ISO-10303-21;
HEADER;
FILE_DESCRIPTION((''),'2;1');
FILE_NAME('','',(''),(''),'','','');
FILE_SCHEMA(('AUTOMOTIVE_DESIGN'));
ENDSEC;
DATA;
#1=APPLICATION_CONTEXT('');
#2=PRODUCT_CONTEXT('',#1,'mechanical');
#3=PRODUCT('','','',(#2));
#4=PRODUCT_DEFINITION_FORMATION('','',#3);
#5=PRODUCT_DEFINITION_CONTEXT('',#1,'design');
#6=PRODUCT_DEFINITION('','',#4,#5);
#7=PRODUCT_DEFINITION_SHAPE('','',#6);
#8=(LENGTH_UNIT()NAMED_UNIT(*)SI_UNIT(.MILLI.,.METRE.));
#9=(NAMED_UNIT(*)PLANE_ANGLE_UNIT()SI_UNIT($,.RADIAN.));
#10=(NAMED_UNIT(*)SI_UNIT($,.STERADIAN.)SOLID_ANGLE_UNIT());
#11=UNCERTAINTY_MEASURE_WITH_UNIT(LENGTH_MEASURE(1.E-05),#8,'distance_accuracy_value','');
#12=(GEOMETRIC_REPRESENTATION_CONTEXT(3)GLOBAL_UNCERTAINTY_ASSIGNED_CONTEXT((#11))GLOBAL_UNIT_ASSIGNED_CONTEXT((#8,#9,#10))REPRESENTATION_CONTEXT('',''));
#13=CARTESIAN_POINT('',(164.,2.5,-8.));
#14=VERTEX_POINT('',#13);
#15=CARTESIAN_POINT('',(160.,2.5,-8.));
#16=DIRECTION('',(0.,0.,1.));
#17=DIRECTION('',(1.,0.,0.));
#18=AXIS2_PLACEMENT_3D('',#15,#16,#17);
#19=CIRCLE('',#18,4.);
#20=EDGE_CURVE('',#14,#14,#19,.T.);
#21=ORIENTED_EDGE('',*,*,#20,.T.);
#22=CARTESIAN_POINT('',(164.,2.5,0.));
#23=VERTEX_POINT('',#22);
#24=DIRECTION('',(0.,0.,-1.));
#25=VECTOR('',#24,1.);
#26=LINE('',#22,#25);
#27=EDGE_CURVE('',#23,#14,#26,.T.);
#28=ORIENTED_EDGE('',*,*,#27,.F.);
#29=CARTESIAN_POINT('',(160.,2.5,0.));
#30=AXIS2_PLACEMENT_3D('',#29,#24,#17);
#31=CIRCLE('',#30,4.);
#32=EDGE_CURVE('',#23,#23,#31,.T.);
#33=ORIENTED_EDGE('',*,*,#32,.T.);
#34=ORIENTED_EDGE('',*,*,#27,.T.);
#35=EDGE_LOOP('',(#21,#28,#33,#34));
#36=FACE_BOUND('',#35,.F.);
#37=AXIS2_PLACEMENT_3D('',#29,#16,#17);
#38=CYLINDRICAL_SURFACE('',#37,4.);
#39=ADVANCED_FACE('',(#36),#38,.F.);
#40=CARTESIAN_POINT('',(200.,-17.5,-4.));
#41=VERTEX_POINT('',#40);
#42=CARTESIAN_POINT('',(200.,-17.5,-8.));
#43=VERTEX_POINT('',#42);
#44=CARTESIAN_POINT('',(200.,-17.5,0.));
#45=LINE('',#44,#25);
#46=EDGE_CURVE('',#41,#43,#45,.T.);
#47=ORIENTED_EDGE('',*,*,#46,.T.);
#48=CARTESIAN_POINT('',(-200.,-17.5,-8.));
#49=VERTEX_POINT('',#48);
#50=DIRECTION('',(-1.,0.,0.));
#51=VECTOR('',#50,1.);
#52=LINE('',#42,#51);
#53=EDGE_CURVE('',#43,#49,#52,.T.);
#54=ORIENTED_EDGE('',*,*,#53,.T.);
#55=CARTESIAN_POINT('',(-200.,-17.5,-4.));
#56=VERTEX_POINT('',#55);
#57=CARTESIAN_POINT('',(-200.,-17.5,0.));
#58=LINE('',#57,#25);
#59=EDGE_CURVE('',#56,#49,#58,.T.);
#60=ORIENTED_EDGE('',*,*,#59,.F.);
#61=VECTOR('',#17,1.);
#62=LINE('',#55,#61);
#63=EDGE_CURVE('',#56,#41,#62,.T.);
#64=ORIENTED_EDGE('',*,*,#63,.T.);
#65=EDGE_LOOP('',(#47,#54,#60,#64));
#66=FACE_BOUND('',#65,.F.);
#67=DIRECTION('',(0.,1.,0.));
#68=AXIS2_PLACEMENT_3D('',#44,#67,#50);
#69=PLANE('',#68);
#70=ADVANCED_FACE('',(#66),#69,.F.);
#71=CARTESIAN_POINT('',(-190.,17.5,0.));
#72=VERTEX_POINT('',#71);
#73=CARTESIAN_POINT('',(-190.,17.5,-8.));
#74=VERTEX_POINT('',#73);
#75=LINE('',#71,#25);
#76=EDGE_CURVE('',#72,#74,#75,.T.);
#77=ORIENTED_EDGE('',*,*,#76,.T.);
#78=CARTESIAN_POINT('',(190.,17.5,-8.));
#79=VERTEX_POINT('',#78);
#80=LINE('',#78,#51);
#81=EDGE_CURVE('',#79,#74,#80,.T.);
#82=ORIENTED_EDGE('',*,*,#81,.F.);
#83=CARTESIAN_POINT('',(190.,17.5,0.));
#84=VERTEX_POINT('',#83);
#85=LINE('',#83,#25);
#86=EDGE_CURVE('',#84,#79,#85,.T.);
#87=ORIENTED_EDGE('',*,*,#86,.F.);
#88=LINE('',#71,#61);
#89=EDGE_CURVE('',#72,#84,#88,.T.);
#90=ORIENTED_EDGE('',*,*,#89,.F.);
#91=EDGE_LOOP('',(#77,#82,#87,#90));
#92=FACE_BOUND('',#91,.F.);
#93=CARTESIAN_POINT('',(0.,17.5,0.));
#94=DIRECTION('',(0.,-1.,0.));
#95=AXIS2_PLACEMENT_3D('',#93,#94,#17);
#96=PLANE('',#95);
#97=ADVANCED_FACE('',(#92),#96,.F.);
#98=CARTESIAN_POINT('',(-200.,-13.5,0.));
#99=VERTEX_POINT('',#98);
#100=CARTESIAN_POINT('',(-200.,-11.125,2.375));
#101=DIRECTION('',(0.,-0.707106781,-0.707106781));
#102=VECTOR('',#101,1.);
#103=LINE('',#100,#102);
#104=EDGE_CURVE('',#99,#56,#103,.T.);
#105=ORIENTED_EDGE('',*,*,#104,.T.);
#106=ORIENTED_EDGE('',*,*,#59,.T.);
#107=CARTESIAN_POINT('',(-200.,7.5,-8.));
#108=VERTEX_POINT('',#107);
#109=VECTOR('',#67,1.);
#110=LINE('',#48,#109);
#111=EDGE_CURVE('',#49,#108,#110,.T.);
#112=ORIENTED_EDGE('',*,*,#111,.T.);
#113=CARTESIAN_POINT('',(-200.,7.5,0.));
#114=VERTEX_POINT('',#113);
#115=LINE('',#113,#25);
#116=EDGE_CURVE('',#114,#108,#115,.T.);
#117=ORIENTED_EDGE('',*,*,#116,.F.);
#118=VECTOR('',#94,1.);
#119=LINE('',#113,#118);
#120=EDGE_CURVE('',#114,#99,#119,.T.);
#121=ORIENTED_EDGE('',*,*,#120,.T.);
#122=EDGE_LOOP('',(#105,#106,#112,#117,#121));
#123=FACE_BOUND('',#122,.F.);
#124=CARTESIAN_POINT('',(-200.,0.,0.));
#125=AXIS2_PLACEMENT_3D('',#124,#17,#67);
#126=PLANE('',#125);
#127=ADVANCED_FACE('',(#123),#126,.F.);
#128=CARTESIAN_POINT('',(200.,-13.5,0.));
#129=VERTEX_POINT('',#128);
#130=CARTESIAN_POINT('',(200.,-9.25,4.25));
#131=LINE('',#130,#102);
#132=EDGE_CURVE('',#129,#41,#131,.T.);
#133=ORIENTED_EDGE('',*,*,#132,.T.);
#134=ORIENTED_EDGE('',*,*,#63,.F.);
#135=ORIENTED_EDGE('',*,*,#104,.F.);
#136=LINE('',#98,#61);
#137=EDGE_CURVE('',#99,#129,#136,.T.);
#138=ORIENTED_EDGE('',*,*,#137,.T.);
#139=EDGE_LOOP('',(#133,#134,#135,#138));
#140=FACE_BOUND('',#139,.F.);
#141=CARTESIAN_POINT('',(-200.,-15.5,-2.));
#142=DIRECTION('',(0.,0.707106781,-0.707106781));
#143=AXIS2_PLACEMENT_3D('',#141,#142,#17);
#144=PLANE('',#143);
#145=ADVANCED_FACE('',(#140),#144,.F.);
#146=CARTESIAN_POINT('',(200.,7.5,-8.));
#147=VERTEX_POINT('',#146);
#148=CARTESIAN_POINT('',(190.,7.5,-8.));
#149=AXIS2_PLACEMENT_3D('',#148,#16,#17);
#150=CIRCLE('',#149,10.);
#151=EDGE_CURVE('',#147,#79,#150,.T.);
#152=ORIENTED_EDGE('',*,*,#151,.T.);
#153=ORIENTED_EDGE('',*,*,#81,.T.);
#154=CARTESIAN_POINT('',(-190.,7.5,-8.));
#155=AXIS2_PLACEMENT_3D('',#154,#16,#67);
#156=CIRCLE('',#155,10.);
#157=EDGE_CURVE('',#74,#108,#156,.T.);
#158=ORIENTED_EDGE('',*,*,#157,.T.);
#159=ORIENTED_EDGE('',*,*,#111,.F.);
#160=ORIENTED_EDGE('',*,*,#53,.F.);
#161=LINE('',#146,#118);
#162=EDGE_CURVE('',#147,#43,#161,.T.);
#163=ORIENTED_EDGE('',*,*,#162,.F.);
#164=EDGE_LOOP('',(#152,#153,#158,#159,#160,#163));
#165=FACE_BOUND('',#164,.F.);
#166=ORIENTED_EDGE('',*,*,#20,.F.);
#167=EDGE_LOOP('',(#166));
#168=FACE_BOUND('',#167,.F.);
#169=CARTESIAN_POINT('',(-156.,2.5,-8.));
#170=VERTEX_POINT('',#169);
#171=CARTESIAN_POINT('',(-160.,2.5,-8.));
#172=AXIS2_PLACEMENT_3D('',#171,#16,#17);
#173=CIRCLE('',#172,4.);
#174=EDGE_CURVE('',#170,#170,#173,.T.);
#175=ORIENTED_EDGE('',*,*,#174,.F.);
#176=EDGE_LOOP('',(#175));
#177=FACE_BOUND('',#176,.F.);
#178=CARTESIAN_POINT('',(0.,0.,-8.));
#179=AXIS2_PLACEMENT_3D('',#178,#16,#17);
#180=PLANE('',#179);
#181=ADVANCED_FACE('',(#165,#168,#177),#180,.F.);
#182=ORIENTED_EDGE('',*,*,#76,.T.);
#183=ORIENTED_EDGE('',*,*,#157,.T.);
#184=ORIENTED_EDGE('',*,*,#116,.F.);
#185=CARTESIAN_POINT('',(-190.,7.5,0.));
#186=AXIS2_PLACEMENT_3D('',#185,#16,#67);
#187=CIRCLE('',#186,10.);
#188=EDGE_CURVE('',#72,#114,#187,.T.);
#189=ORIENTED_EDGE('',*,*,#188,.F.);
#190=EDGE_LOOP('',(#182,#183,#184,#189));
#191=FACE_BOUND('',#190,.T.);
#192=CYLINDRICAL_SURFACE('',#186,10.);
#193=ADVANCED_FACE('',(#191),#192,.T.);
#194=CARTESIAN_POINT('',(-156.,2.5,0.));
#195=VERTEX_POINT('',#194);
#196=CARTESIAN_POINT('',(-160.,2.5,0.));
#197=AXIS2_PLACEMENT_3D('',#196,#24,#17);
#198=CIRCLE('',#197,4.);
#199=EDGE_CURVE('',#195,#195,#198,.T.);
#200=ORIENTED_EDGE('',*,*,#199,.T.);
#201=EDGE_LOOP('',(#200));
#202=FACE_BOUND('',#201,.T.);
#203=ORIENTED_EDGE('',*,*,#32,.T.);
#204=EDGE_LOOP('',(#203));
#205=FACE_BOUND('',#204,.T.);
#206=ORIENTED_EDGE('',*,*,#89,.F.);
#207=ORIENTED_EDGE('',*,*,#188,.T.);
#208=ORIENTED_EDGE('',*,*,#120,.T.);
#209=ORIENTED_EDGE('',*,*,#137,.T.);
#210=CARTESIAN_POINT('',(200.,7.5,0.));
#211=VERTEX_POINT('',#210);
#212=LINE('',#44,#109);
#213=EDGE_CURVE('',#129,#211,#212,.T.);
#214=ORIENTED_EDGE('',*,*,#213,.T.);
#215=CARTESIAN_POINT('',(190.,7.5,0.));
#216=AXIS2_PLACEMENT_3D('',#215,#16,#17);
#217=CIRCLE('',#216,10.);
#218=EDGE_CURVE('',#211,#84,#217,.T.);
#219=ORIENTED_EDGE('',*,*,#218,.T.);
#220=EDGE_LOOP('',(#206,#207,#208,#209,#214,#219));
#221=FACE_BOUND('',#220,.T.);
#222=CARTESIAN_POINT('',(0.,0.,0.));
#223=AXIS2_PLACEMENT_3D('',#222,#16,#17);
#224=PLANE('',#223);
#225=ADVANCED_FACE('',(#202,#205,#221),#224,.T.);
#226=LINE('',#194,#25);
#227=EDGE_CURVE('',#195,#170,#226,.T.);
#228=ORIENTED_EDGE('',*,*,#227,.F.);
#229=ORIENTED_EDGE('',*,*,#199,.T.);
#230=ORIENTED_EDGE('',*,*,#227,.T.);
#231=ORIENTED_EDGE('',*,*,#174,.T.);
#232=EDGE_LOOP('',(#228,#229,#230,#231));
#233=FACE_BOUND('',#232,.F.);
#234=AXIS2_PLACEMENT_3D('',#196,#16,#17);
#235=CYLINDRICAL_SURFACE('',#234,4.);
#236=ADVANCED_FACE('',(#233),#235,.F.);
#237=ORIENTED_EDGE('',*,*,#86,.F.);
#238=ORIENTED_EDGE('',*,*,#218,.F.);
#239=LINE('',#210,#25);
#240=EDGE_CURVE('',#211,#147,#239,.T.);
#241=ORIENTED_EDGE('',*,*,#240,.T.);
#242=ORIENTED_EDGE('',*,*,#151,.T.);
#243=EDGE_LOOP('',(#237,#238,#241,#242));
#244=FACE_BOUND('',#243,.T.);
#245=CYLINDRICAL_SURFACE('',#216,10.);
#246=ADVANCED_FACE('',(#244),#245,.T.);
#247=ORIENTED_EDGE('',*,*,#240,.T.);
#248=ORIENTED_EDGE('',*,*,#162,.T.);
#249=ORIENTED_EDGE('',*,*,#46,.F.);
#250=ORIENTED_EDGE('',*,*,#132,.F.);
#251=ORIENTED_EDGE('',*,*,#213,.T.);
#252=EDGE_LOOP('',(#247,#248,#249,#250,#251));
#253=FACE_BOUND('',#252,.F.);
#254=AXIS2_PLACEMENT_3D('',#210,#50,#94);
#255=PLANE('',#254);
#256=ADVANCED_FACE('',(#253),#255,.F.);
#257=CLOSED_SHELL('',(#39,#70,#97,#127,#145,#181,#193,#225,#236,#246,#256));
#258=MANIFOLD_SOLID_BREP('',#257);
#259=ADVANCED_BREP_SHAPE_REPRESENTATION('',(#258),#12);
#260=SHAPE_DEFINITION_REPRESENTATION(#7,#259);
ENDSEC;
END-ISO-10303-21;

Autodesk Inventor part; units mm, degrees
ref_plane "YZ Plane" through (0, 0, 0) normal (1, 0, 0) x (0, 1, 0)
ref_plane "XZ Plane" through (0, 0, 0) normal (0, 1, 0) x (-1, 0, 0)
ref_plane "XY Plane" through (0, 0, 0) normal (0, 0, 1) x (1, 0, 0)
sketch "Sketch1" plane through (0, 0, 0) normal (0, 0, 1) x (1, 0, 0)
  line L0 (0, 26.9853) -> (0, -24.9142) projected
  line L1 (-282.8995, 0) -> (282.8995, 0) projected
  line L2 (-190, 17.5) -> (190, 17.5)
  line L3 (200, 7.5) -> (200, -17.5)
  line L4 (200, -17.5) -> (-200, -17.5)
  line L5 (-200, -17.5) -> (-200, 7.5)
  arc A0 (-190, 17.5) -> (-200, 7.5) centre (-190, 7.5) ccw
  arc A1 (200, 7.5) -> (190, 17.5) centre (190, 7.5) ccw
  circle A2 centre (-160, 2.5) radius 4
  circle A3 centre (160, 2.5) radius 4
  point P0 (0, 0)
  point P1 (-200, 17.5)
  point P2 (200, 17.5)
  dimension "d0" = 35
  dimension "d1" = 400
  dimension "d2" = 10
  dimension "d3" = 8
  dimension "d4" = 160
  dimension "d5" = 20
extrude "Extrusion1" add sketch "Sketch1" against normal blind 8 contours L2 A1 L3 L1 A3 L0 | L0 L1 A2 L5 A0 L2 | L1 A3 L3 L4 L0 | L0 L4 L5 L1 A2
chamfer "Chamfer1" distance 4 angle 45 1 edges at (0, -17.5, 0)
properties part number "SlipersLåda 211018009"
